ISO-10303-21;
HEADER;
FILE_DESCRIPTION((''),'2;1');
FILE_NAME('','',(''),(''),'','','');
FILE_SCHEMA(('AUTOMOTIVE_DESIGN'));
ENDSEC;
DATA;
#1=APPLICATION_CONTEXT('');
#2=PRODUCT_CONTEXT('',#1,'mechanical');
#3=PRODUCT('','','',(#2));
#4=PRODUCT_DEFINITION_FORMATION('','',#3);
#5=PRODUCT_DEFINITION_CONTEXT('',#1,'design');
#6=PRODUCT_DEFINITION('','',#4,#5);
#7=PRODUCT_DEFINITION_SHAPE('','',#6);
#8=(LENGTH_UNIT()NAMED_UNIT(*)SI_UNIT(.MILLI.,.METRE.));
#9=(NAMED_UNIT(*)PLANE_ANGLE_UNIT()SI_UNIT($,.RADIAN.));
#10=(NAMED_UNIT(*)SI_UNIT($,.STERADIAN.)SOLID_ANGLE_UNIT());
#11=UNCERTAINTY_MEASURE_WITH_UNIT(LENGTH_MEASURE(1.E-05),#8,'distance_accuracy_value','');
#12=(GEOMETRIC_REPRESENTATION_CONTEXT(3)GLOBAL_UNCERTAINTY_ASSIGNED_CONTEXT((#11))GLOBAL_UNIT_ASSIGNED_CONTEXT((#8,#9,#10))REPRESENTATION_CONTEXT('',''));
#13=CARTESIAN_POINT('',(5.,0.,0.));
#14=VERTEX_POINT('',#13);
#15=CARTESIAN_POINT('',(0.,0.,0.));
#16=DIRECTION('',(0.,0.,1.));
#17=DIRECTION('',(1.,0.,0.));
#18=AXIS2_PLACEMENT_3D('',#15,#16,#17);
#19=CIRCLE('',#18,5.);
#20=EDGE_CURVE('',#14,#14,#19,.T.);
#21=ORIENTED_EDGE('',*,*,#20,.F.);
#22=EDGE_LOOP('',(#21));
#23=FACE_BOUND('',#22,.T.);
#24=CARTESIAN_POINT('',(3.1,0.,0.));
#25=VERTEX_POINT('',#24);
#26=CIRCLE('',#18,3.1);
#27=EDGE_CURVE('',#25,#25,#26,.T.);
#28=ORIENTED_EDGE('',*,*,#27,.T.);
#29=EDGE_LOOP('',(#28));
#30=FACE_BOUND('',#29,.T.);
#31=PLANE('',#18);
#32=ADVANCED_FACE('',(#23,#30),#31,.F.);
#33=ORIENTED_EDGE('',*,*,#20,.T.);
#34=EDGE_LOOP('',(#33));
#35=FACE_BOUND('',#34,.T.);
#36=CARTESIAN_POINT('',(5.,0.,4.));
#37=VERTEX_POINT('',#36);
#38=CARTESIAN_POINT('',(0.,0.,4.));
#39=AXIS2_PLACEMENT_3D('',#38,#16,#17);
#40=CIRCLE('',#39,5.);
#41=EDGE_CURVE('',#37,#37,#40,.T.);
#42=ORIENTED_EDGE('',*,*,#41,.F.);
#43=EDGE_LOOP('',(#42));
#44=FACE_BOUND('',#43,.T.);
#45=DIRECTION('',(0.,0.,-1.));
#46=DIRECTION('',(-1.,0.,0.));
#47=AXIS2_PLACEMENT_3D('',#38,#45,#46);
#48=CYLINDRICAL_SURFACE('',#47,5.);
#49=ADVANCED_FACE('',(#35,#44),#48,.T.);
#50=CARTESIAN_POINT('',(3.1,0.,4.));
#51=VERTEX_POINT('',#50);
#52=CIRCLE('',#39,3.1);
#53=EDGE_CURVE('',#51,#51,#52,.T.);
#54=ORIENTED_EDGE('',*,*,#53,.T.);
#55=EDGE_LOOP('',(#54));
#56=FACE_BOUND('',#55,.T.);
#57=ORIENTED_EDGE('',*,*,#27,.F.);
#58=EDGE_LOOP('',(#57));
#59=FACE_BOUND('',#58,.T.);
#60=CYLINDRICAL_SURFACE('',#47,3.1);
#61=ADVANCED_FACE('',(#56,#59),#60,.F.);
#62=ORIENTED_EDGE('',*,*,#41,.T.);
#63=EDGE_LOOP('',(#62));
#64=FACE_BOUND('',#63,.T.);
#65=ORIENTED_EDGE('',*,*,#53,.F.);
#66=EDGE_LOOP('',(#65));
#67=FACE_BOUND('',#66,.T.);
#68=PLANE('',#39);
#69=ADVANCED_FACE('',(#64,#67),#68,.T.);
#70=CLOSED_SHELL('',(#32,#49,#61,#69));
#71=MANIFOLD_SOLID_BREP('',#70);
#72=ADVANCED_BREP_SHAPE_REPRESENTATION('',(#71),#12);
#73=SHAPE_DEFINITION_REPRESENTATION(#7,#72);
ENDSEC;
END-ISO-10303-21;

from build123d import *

# Parameters (mm, degrees)
SKETCH_1_R      = 5
SKETCH_1_R_2    = 3.1
EXTRUDE_1_DEPTH = 4


with BuildPart() as part:
    # ｽｹｯﾁ1 → ﾎﾞｽ - 押し出し1 (new body)
    with BuildSketch(Plane.XY):
        Circle(SKETCH_1_R)
        Circle(SKETCH_1_R_2, mode=Mode.SUBTRACT)
    extrude(amount=EXTRUDE_1_DEPTH)


solid = part.part
